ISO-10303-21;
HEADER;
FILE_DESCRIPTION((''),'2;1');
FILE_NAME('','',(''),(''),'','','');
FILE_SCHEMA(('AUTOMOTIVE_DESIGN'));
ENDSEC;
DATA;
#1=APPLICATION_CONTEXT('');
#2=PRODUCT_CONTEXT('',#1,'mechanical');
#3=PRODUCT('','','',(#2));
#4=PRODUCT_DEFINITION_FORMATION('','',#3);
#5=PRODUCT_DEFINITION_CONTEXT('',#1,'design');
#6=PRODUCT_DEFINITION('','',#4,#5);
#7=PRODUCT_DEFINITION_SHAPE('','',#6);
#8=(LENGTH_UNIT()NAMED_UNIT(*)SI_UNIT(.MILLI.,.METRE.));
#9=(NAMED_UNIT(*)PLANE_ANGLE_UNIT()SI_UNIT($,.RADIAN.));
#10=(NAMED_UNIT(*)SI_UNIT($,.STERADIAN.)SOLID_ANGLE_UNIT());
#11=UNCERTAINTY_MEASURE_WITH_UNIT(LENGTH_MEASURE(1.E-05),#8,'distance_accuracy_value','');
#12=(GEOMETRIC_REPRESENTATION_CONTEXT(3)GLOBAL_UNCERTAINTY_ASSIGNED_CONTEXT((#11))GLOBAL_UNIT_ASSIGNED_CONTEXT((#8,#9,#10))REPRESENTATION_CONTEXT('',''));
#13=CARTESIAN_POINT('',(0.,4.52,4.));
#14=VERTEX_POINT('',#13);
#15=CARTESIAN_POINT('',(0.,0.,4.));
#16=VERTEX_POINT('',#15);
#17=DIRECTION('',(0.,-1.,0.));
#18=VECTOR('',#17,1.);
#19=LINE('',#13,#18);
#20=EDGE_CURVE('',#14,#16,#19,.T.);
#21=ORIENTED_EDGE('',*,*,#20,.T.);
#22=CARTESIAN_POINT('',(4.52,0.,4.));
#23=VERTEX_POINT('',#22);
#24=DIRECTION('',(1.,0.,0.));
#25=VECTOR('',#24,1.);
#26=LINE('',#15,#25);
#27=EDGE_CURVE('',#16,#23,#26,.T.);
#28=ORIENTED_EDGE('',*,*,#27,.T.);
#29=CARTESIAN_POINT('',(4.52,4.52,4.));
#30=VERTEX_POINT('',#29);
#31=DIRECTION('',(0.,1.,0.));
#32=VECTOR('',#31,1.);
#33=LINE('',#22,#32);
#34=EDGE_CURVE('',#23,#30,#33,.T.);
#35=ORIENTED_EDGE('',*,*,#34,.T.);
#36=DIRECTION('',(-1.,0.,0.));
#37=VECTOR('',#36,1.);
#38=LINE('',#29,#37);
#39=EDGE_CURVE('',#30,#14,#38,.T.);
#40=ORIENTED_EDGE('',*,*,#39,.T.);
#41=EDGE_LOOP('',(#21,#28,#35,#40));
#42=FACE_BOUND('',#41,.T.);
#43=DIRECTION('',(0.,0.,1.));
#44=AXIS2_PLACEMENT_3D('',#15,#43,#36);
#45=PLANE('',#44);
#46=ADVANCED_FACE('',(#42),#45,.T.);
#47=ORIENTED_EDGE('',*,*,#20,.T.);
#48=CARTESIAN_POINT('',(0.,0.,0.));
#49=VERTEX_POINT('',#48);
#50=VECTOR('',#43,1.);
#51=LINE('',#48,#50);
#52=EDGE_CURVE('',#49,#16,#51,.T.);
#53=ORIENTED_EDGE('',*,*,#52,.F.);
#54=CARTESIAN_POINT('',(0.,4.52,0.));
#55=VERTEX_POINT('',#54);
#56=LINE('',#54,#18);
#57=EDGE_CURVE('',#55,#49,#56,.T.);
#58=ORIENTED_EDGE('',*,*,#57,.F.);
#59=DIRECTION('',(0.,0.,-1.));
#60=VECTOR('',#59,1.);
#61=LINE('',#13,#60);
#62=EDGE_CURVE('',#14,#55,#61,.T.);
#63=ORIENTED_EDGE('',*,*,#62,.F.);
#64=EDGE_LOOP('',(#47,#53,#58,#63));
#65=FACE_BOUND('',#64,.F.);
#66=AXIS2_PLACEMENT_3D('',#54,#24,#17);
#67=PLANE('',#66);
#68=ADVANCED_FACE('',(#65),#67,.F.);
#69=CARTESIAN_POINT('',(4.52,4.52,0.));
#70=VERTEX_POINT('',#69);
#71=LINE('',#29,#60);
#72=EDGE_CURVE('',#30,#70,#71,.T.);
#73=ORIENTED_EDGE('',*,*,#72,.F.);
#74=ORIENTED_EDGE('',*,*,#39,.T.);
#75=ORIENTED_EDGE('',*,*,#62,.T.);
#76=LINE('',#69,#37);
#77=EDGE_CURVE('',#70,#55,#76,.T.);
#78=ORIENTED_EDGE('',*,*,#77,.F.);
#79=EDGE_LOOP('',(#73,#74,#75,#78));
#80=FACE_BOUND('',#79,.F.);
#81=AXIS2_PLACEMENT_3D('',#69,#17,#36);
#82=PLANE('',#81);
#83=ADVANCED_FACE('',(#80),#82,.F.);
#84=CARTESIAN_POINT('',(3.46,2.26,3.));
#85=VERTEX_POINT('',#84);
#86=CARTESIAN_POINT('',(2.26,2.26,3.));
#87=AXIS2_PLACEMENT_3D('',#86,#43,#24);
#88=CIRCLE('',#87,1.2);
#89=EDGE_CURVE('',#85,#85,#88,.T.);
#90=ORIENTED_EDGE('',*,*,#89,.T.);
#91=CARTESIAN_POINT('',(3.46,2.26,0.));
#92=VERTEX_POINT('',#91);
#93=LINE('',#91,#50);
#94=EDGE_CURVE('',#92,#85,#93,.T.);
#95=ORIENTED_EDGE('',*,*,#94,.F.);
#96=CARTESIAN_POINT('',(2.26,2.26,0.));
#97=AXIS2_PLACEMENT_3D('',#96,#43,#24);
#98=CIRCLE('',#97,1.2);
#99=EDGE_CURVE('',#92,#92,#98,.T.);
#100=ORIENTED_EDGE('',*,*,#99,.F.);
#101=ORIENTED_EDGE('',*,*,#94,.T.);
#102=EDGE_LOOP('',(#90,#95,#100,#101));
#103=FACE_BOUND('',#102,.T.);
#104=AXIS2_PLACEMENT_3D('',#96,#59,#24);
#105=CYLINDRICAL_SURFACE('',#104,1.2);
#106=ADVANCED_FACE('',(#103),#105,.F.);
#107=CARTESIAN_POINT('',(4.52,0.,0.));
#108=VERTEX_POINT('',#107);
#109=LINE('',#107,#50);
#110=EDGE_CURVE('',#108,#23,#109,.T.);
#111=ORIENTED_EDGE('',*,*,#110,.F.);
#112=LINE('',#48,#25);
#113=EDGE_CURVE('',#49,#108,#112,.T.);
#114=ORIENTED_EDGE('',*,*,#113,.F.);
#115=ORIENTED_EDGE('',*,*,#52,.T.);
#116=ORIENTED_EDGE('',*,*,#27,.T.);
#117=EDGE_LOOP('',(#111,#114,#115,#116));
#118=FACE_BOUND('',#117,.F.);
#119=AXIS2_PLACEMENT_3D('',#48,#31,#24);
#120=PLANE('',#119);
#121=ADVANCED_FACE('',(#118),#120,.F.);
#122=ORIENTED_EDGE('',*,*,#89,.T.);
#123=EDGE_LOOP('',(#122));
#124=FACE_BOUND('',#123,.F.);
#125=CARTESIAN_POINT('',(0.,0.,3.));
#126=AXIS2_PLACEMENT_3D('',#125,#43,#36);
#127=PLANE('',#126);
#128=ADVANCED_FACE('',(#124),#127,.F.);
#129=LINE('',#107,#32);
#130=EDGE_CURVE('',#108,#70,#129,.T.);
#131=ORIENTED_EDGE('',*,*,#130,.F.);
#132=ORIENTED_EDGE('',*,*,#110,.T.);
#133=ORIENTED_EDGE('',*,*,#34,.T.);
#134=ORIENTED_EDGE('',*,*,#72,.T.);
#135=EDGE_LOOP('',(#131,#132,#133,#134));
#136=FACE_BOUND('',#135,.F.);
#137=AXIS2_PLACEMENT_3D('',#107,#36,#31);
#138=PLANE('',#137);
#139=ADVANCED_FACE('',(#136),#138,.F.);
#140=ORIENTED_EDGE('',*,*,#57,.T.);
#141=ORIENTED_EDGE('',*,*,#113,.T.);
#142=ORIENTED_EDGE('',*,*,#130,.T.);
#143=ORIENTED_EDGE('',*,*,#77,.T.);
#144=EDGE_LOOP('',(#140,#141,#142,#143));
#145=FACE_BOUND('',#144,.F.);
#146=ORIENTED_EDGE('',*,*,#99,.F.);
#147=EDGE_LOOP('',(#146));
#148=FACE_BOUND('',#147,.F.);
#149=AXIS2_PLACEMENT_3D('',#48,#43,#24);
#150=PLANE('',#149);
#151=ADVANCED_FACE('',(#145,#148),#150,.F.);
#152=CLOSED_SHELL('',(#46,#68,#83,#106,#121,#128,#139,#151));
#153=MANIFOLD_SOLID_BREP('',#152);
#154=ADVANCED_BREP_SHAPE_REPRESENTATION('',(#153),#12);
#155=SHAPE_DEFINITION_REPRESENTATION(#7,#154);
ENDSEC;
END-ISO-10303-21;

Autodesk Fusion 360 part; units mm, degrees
sketch "Sketch1" plane through (0, 0, 0) normal (0, 0, 1) x (1, 0, 0)
  line L0 (0, 0) -> (4.52, 0)
  line L1 (4.52, 0) -> (4.52, 4.52)
  line L2 (4.52, 4.52) -> (0, 4.52)
  line L3 (0, 4.52) -> (0, 0)
  line L4 (0, 4.52) -> (4.52, 0) construction
  line L5 (4.52, 4.52) -> (0, 0) construction
  circle A0 centre (2.26, 2.26) radius 1.2
  dimension "d1" = 4.52
  dimension "d2" = 4.52
  dimension "d3" = 2.4
extrude "Extrude1" add sketch "Sketch1" along normal blind 3
sketch "Sketch2" plane through (0, 0, 3) normal (0, 0, 1) x (-1, 0, 0)
  circle A0 centre (-2.26, -2.26) radius 1.2
  line L0 (0, -4.52) -> (0, 0)
  line L1 (0, 0) -> (-4.52, 0)
  line L2 (-4.52, 0) -> (-4.52, -4.52)
  line L3 (-4.52, -4.52) -> (0, -4.52)
extrude "Extrude2" add sketch "Sketch2" along normal blind 1 contours A0 | L0 L1 L2 L3
